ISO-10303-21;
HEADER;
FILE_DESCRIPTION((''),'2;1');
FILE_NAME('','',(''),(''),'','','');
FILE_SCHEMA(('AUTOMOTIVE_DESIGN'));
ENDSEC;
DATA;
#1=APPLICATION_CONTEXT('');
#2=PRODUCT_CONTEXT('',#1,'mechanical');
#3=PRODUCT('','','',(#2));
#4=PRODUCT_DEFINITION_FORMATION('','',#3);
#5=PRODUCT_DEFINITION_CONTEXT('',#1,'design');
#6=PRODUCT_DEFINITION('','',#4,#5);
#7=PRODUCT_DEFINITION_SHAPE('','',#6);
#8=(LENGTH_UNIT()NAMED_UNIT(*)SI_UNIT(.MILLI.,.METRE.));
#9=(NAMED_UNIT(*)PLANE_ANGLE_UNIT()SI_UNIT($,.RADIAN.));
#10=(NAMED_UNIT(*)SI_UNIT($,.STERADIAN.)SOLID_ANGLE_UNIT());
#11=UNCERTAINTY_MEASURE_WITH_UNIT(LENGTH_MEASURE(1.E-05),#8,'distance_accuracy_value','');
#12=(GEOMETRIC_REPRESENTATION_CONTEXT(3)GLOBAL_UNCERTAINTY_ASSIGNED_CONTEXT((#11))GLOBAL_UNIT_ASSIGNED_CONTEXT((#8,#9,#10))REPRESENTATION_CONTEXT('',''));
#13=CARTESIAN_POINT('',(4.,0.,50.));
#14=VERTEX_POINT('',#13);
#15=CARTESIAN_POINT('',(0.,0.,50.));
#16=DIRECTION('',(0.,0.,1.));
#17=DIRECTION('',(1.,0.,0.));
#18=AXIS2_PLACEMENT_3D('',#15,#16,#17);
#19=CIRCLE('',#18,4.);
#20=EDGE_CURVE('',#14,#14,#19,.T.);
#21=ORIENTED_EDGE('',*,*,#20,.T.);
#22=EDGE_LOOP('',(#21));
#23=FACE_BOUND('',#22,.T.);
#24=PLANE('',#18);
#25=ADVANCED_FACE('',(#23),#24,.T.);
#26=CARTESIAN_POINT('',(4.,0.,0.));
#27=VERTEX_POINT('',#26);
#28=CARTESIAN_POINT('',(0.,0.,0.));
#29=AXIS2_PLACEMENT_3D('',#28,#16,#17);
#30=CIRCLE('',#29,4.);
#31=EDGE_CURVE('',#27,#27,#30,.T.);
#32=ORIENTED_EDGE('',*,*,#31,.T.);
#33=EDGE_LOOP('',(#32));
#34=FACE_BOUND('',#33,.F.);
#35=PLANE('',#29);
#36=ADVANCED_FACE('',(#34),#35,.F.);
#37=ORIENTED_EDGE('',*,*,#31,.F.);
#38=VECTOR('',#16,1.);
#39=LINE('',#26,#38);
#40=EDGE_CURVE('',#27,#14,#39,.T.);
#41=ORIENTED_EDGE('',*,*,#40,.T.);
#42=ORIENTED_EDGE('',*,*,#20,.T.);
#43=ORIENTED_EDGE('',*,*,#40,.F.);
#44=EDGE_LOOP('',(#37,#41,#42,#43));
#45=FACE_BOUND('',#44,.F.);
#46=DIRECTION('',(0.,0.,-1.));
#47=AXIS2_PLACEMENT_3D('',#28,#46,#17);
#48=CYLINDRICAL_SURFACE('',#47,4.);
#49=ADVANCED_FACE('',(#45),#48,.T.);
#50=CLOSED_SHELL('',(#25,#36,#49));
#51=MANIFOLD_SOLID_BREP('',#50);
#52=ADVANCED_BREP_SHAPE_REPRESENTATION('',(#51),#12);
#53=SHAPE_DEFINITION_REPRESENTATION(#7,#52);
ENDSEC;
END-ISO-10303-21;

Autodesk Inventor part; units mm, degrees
ref_plane "YZ Plane" through (0, 0, 0) normal (1, 0, 0) x (0, 1, 0)
ref_plane "XZ Plane" through (0, 0, 0) normal (0, 1, 0) x (-1, 0, 0)
ref_plane "XY Plane" through (0, 0, 0) normal (0, 0, 1) x (1, 0, 0)
sketch "Esquisse1" plane through (0, 0, 0) normal (0, 0, 1) x (1, 0, 0)
  circle A0 centre (0, 0) radius 4
  dimension "d0" = 8
extrude "Extrusion1" add sketch "Esquisse1" along normal blind 50
properties part number "tige GPS"
